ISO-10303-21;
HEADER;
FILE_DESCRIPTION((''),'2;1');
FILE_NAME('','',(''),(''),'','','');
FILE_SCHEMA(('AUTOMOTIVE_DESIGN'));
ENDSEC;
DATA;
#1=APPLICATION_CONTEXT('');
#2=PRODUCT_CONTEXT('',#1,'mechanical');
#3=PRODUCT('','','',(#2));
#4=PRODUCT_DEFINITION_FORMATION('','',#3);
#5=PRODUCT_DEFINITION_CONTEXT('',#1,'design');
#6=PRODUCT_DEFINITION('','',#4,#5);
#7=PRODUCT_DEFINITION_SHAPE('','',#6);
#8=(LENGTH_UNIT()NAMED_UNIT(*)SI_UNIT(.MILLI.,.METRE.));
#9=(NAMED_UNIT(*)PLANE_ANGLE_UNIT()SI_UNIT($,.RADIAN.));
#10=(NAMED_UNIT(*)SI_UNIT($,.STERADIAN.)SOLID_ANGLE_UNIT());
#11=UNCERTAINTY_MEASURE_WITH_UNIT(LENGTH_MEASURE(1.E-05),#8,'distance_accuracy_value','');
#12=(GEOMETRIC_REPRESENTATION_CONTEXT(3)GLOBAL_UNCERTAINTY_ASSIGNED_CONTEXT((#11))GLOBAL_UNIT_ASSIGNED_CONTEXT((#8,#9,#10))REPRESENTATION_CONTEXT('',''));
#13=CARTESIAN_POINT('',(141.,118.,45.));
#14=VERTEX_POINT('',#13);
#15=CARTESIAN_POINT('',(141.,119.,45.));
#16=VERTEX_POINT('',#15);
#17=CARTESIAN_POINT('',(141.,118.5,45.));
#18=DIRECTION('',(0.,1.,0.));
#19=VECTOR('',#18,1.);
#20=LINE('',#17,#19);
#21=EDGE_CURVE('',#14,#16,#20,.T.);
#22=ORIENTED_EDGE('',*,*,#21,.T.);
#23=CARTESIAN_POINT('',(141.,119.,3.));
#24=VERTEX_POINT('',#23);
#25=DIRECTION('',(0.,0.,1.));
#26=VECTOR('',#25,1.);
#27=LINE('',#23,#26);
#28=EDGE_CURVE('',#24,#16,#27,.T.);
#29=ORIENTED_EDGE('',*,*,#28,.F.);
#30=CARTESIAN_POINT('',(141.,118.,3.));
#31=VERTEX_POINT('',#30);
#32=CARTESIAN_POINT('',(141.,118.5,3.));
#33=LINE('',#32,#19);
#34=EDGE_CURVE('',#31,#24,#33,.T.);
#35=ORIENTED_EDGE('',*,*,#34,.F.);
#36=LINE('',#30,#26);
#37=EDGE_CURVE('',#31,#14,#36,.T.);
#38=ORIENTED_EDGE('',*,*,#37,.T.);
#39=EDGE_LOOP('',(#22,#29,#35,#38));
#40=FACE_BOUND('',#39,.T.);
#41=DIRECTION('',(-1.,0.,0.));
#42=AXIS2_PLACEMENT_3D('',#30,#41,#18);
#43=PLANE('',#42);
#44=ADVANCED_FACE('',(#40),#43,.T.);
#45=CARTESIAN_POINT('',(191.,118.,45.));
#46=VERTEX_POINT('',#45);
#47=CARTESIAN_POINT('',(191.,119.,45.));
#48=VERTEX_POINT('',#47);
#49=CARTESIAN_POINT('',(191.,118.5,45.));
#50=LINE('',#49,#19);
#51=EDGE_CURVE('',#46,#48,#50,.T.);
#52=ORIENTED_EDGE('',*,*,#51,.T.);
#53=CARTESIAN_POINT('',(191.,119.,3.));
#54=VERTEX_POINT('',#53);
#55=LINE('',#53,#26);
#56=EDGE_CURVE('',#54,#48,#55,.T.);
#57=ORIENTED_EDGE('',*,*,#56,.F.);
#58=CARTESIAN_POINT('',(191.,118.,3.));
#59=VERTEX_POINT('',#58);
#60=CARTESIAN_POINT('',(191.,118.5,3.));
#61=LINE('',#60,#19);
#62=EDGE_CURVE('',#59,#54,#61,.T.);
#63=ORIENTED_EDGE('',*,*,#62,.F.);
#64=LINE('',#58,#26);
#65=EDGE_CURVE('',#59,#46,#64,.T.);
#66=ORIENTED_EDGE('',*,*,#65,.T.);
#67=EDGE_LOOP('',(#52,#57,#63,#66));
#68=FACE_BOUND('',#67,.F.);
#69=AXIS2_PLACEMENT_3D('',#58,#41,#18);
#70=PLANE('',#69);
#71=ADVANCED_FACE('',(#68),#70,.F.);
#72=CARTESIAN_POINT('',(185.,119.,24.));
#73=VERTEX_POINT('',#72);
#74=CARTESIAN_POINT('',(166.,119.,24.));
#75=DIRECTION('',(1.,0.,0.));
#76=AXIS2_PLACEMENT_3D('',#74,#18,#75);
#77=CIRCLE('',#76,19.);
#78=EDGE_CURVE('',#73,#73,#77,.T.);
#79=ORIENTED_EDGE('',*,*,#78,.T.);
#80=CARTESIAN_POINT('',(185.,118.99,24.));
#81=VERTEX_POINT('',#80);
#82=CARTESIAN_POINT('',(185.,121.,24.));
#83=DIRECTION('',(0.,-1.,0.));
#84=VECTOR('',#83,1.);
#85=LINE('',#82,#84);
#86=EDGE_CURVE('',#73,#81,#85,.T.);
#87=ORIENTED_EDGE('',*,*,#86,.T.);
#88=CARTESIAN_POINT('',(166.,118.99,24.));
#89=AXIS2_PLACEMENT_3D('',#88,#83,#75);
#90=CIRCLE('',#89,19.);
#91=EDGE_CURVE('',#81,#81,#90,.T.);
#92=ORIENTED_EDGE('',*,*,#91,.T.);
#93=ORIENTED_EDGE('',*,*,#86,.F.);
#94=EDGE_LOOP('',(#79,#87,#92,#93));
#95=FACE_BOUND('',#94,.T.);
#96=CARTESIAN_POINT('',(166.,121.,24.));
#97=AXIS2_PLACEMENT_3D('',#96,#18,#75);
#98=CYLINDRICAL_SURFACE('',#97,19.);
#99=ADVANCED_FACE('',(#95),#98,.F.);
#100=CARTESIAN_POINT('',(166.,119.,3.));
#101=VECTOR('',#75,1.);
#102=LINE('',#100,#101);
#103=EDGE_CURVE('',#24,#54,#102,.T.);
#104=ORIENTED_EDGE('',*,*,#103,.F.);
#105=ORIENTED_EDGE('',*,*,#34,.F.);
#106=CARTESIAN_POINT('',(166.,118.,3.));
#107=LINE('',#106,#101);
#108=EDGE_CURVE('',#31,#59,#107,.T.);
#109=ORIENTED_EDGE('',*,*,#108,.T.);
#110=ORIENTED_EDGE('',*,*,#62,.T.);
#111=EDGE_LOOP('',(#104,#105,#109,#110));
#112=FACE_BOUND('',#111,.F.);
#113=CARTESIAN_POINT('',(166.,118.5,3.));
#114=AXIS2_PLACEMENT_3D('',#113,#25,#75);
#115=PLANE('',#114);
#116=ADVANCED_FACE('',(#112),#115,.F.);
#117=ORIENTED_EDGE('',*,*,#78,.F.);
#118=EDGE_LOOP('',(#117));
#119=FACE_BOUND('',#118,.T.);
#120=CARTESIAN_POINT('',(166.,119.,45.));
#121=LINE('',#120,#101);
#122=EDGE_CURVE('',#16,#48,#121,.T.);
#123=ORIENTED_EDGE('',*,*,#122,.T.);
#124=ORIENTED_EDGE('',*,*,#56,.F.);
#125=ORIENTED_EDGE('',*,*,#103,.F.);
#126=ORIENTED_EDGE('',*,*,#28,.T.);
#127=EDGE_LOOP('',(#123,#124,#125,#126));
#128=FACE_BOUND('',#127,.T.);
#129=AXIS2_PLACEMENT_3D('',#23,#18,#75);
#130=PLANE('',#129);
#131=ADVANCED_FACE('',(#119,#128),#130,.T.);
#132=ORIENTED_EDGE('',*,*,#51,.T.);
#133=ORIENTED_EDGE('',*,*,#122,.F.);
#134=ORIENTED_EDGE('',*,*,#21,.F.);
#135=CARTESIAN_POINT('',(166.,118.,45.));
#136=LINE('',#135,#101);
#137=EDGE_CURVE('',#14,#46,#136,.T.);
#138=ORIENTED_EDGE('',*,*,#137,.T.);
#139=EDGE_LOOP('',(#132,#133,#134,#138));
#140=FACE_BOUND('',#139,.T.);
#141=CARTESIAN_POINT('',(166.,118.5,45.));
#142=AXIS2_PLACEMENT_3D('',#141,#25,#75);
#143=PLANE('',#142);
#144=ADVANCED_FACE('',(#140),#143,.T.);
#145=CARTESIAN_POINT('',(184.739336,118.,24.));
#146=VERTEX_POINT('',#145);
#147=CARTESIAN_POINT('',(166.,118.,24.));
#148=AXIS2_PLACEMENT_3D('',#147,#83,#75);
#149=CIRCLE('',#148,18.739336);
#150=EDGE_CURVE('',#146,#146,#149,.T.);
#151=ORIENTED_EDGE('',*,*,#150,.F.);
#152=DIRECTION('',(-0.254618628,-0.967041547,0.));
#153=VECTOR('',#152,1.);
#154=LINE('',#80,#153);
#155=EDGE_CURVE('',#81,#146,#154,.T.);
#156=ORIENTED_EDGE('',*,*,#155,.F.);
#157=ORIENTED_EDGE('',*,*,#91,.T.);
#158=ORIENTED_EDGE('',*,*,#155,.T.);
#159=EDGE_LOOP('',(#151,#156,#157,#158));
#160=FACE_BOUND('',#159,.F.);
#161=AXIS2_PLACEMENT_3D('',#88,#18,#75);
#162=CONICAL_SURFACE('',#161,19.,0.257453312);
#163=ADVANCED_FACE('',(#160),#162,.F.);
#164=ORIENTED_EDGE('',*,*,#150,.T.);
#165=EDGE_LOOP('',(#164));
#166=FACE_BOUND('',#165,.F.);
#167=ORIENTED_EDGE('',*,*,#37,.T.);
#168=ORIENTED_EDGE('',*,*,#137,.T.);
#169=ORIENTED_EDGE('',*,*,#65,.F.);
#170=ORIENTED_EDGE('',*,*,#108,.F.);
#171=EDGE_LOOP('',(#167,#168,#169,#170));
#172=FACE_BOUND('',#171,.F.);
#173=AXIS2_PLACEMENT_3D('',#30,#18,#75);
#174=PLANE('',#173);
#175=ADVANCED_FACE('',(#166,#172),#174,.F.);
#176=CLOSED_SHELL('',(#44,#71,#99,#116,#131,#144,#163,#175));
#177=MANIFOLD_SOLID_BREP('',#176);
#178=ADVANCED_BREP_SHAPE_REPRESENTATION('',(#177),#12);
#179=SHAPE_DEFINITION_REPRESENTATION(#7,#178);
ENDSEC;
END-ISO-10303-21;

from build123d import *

# Parameters (mm, degrees)
CYLINDER066_R                = 19
CYLINDER066_DEPTH            = 21
CHAMFER011006003017057_SIZE2 = 5
CHAMFER011006003017057_SIZE  = 18.99
BOX085140_W                  = 50
BOX085140_H                  = 1
BOX085140_DEPTH              = 42


with BuildPart() as chamfer011006003017057:
    # Cylinder066 → Cylinder066 (new body)
    with BuildSketch(Plane(origin=(166, 121, 24), x_dir=(1, 0, 0), z_dir=(0, -1, 0))):
        Circle(CYLINDER066_R)
    extrude(amount=CYLINDER066_DEPTH)

    # Chamfer011006003017057
    chamfer011006003017057_edges = [chamfer011006003017057.edges().sort_by_distance(p)[0] for p in [
        (147, 100, 24),
    ]]
    chamfer011006003017057_side = chamfer011006003017057.faces().sort_by_distance((147, 110.5, 24))[0]
    chamfer(chamfer011006003017057_edges, length=CHAMFER011006003017057_SIZE, length2=CHAMFER011006003017057_SIZE2, reference=chamfer011006003017057_side)


with BuildPart() as cut001002016050:
    # Box085140 → Box085140 (new body)
    with BuildSketch(Plane(origin=(141, 118, 3), x_dir=(1, 0, 0), z_dir=(0, 0, 1))):
        with Locations((25, 0.5)):
            Rectangle(BOX085140_W, BOX085140_H)
    extrude(amount=BOX085140_DEPTH)

    # Cut001002016050: cut Chamfer011006003017057
    add(chamfer011006003017057.part, mode=Mode.SUBTRACT)


solid = cut001002016050.part
